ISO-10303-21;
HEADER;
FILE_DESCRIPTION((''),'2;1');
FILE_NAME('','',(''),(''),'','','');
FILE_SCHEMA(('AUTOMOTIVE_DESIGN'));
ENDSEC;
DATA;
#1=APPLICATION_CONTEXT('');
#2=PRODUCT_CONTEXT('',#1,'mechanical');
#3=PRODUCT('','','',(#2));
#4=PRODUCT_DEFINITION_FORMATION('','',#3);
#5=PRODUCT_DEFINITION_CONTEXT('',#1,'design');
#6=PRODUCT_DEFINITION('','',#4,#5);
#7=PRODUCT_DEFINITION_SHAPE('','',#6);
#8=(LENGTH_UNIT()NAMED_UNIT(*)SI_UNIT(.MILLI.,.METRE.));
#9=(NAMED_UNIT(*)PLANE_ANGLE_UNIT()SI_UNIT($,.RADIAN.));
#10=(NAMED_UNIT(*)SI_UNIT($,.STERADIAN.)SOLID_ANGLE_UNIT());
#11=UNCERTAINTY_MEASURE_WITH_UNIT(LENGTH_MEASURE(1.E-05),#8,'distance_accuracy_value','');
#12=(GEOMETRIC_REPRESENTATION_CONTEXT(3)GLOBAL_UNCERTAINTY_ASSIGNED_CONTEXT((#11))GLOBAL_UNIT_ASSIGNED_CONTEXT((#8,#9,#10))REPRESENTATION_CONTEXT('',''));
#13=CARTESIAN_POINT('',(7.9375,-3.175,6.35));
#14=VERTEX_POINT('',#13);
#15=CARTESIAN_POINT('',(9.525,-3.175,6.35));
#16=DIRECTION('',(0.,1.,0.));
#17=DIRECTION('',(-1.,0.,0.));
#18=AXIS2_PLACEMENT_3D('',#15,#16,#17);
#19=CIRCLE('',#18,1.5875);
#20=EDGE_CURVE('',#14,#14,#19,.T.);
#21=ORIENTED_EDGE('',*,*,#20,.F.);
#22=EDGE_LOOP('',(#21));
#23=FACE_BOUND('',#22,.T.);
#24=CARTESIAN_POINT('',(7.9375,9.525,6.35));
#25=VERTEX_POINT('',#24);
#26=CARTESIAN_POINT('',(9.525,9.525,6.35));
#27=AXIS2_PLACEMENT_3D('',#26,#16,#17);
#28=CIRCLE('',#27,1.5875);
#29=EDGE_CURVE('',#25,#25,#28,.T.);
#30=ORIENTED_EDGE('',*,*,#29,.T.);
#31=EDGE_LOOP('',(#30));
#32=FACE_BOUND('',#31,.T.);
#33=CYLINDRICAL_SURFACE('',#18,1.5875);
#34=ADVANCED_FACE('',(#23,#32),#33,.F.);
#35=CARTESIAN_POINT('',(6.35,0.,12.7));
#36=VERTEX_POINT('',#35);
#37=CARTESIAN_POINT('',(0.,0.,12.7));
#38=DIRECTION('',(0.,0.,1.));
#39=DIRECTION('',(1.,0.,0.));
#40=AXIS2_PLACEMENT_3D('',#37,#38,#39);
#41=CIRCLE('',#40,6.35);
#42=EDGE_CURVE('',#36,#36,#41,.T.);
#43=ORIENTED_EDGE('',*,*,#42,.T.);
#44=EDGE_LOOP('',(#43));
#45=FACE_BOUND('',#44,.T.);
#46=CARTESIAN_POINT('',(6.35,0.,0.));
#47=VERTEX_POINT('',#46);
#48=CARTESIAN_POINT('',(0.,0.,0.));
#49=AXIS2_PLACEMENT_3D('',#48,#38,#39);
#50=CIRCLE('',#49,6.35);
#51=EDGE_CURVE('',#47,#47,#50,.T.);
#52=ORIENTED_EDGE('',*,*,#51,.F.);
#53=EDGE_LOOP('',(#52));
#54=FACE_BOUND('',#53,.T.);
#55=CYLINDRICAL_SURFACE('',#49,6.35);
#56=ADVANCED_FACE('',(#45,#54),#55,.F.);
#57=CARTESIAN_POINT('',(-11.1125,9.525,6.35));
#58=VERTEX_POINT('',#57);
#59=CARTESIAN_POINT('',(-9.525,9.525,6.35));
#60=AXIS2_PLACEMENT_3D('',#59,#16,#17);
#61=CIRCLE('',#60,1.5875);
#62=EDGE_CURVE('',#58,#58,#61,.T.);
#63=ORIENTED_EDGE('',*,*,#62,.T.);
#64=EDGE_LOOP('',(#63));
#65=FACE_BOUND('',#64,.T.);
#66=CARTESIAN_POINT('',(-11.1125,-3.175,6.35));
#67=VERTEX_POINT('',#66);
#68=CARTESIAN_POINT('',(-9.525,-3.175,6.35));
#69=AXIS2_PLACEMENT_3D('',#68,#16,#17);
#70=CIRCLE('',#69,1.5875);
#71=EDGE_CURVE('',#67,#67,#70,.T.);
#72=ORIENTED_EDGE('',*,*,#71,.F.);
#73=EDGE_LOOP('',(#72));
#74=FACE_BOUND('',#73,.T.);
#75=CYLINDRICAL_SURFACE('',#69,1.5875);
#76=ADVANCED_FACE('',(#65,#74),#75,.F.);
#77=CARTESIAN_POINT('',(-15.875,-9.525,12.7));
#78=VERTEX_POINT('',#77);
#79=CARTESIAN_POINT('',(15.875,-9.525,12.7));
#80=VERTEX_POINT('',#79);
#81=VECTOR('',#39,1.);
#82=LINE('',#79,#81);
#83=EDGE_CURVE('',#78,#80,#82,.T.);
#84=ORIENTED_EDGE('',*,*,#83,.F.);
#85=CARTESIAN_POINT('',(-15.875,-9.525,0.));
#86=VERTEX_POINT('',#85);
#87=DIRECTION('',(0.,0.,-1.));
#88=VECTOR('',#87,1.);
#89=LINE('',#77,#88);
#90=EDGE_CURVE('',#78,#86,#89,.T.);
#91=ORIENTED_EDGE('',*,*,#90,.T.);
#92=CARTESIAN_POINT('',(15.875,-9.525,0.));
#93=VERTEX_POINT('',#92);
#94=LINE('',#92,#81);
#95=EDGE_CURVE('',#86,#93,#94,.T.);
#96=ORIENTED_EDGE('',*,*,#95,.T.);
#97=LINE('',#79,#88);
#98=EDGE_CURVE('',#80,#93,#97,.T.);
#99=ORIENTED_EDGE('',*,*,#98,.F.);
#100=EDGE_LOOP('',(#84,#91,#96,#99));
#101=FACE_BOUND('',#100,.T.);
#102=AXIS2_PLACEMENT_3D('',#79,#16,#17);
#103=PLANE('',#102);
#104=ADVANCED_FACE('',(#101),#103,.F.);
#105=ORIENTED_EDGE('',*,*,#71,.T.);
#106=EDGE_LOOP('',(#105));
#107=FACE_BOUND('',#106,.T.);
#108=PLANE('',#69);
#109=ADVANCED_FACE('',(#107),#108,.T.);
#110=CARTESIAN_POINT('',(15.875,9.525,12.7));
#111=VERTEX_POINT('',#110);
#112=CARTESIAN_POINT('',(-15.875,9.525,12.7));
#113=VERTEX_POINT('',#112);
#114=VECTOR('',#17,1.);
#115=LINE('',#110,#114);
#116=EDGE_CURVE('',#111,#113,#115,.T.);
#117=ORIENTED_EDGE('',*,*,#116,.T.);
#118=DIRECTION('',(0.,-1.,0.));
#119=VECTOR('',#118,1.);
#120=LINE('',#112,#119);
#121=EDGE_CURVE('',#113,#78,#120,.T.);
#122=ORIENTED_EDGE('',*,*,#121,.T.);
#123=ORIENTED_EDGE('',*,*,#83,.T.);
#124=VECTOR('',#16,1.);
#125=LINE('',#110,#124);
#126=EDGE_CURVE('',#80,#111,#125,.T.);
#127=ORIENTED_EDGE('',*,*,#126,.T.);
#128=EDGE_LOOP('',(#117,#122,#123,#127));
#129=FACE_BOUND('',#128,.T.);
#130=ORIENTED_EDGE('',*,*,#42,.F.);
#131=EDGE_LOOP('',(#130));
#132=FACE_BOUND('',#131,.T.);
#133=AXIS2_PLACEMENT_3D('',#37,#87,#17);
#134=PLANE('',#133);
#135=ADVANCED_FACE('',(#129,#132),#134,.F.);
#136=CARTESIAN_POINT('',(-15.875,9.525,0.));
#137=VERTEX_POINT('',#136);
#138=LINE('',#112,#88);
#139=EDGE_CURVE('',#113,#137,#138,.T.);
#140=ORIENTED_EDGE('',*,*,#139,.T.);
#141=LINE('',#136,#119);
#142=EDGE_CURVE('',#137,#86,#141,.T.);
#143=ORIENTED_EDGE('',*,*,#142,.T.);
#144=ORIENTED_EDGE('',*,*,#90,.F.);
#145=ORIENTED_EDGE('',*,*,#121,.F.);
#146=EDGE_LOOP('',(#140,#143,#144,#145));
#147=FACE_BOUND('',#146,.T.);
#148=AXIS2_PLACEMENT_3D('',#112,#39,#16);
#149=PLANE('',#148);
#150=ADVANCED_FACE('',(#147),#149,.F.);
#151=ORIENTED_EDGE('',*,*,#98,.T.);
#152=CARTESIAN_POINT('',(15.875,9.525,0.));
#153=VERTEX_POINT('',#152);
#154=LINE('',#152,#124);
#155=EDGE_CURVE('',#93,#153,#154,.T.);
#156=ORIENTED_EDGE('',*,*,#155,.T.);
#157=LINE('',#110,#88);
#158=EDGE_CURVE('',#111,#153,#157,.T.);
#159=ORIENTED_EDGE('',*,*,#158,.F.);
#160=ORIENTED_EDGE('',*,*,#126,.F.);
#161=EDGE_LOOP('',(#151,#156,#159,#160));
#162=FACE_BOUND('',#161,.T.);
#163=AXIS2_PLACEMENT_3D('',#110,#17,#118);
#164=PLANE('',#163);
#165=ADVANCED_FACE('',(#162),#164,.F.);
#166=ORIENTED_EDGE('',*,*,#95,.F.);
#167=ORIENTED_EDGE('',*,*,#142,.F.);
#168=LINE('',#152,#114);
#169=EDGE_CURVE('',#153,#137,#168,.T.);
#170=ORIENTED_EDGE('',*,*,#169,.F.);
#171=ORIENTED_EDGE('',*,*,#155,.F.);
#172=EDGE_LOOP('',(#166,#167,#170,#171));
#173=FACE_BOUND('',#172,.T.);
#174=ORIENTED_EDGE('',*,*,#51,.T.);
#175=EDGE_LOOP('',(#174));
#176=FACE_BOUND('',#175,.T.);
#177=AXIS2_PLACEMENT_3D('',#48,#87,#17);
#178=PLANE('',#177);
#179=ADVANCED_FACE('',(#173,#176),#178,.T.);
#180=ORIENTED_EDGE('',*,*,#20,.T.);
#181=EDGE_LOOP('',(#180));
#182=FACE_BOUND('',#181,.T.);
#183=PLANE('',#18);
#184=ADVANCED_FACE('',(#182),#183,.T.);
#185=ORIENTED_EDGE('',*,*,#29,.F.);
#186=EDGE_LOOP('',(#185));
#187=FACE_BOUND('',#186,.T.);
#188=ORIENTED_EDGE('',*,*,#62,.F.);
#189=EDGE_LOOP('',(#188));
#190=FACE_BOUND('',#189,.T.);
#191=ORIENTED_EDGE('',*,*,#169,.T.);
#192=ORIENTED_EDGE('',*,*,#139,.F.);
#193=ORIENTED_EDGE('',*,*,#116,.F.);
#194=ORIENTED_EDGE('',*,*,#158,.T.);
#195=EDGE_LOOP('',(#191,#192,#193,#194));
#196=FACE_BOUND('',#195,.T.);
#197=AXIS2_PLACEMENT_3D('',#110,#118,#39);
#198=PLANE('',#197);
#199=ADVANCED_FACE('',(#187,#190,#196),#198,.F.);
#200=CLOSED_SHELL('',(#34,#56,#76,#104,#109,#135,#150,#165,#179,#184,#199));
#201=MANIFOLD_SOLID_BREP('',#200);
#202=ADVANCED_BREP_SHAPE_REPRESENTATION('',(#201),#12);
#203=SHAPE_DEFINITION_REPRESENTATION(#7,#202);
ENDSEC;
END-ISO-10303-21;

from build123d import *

# Parameters (mm, degrees)
SKETCH1_W           = 31.75
SKETCH1_H           = 19.05
BOSS_EXTRUDE1_DEPTH = 12.7
SKETCH2_R           = 6.35
CUT_EXTRUDE1_DEPTH  = 12.7
SKETCH3_R           = 1.5875
CUT_EXTRUDE2_DEPTH  = 12.7


with BuildPart() as part:
    # Sketch1 → Boss-Extrude1 (new body)
    with BuildSketch(Plane.XY):
        Rectangle(SKETCH1_W, SKETCH1_H)
    extrude(amount=BOSS_EXTRUDE1_DEPTH)

    # Sketch2 → Cut-Extrude1 (cut)
    with BuildSketch(Plane.XY.offset(12.7)):
        Circle(SKETCH2_R)
    extrude(amount=-CUT_EXTRUDE1_DEPTH, mode=Mode.SUBTRACT)

    # Sketch3 → Cut-Extrude2 (cut)
    with BuildSketch(Plane(origin=(0, 9.525, 0), x_dir=(1, 0, 0), z_dir=(0, 1, 0))):
        with Locations((-9.525, -6.35)):
            Circle(SKETCH3_R)
        with Locations((9.525, -6.35)):
            Circle(SKETCH3_R)
    extrude(amount=-CUT_EXTRUDE2_DEPTH, mode=Mode.SUBTRACT)


solid = part.part
